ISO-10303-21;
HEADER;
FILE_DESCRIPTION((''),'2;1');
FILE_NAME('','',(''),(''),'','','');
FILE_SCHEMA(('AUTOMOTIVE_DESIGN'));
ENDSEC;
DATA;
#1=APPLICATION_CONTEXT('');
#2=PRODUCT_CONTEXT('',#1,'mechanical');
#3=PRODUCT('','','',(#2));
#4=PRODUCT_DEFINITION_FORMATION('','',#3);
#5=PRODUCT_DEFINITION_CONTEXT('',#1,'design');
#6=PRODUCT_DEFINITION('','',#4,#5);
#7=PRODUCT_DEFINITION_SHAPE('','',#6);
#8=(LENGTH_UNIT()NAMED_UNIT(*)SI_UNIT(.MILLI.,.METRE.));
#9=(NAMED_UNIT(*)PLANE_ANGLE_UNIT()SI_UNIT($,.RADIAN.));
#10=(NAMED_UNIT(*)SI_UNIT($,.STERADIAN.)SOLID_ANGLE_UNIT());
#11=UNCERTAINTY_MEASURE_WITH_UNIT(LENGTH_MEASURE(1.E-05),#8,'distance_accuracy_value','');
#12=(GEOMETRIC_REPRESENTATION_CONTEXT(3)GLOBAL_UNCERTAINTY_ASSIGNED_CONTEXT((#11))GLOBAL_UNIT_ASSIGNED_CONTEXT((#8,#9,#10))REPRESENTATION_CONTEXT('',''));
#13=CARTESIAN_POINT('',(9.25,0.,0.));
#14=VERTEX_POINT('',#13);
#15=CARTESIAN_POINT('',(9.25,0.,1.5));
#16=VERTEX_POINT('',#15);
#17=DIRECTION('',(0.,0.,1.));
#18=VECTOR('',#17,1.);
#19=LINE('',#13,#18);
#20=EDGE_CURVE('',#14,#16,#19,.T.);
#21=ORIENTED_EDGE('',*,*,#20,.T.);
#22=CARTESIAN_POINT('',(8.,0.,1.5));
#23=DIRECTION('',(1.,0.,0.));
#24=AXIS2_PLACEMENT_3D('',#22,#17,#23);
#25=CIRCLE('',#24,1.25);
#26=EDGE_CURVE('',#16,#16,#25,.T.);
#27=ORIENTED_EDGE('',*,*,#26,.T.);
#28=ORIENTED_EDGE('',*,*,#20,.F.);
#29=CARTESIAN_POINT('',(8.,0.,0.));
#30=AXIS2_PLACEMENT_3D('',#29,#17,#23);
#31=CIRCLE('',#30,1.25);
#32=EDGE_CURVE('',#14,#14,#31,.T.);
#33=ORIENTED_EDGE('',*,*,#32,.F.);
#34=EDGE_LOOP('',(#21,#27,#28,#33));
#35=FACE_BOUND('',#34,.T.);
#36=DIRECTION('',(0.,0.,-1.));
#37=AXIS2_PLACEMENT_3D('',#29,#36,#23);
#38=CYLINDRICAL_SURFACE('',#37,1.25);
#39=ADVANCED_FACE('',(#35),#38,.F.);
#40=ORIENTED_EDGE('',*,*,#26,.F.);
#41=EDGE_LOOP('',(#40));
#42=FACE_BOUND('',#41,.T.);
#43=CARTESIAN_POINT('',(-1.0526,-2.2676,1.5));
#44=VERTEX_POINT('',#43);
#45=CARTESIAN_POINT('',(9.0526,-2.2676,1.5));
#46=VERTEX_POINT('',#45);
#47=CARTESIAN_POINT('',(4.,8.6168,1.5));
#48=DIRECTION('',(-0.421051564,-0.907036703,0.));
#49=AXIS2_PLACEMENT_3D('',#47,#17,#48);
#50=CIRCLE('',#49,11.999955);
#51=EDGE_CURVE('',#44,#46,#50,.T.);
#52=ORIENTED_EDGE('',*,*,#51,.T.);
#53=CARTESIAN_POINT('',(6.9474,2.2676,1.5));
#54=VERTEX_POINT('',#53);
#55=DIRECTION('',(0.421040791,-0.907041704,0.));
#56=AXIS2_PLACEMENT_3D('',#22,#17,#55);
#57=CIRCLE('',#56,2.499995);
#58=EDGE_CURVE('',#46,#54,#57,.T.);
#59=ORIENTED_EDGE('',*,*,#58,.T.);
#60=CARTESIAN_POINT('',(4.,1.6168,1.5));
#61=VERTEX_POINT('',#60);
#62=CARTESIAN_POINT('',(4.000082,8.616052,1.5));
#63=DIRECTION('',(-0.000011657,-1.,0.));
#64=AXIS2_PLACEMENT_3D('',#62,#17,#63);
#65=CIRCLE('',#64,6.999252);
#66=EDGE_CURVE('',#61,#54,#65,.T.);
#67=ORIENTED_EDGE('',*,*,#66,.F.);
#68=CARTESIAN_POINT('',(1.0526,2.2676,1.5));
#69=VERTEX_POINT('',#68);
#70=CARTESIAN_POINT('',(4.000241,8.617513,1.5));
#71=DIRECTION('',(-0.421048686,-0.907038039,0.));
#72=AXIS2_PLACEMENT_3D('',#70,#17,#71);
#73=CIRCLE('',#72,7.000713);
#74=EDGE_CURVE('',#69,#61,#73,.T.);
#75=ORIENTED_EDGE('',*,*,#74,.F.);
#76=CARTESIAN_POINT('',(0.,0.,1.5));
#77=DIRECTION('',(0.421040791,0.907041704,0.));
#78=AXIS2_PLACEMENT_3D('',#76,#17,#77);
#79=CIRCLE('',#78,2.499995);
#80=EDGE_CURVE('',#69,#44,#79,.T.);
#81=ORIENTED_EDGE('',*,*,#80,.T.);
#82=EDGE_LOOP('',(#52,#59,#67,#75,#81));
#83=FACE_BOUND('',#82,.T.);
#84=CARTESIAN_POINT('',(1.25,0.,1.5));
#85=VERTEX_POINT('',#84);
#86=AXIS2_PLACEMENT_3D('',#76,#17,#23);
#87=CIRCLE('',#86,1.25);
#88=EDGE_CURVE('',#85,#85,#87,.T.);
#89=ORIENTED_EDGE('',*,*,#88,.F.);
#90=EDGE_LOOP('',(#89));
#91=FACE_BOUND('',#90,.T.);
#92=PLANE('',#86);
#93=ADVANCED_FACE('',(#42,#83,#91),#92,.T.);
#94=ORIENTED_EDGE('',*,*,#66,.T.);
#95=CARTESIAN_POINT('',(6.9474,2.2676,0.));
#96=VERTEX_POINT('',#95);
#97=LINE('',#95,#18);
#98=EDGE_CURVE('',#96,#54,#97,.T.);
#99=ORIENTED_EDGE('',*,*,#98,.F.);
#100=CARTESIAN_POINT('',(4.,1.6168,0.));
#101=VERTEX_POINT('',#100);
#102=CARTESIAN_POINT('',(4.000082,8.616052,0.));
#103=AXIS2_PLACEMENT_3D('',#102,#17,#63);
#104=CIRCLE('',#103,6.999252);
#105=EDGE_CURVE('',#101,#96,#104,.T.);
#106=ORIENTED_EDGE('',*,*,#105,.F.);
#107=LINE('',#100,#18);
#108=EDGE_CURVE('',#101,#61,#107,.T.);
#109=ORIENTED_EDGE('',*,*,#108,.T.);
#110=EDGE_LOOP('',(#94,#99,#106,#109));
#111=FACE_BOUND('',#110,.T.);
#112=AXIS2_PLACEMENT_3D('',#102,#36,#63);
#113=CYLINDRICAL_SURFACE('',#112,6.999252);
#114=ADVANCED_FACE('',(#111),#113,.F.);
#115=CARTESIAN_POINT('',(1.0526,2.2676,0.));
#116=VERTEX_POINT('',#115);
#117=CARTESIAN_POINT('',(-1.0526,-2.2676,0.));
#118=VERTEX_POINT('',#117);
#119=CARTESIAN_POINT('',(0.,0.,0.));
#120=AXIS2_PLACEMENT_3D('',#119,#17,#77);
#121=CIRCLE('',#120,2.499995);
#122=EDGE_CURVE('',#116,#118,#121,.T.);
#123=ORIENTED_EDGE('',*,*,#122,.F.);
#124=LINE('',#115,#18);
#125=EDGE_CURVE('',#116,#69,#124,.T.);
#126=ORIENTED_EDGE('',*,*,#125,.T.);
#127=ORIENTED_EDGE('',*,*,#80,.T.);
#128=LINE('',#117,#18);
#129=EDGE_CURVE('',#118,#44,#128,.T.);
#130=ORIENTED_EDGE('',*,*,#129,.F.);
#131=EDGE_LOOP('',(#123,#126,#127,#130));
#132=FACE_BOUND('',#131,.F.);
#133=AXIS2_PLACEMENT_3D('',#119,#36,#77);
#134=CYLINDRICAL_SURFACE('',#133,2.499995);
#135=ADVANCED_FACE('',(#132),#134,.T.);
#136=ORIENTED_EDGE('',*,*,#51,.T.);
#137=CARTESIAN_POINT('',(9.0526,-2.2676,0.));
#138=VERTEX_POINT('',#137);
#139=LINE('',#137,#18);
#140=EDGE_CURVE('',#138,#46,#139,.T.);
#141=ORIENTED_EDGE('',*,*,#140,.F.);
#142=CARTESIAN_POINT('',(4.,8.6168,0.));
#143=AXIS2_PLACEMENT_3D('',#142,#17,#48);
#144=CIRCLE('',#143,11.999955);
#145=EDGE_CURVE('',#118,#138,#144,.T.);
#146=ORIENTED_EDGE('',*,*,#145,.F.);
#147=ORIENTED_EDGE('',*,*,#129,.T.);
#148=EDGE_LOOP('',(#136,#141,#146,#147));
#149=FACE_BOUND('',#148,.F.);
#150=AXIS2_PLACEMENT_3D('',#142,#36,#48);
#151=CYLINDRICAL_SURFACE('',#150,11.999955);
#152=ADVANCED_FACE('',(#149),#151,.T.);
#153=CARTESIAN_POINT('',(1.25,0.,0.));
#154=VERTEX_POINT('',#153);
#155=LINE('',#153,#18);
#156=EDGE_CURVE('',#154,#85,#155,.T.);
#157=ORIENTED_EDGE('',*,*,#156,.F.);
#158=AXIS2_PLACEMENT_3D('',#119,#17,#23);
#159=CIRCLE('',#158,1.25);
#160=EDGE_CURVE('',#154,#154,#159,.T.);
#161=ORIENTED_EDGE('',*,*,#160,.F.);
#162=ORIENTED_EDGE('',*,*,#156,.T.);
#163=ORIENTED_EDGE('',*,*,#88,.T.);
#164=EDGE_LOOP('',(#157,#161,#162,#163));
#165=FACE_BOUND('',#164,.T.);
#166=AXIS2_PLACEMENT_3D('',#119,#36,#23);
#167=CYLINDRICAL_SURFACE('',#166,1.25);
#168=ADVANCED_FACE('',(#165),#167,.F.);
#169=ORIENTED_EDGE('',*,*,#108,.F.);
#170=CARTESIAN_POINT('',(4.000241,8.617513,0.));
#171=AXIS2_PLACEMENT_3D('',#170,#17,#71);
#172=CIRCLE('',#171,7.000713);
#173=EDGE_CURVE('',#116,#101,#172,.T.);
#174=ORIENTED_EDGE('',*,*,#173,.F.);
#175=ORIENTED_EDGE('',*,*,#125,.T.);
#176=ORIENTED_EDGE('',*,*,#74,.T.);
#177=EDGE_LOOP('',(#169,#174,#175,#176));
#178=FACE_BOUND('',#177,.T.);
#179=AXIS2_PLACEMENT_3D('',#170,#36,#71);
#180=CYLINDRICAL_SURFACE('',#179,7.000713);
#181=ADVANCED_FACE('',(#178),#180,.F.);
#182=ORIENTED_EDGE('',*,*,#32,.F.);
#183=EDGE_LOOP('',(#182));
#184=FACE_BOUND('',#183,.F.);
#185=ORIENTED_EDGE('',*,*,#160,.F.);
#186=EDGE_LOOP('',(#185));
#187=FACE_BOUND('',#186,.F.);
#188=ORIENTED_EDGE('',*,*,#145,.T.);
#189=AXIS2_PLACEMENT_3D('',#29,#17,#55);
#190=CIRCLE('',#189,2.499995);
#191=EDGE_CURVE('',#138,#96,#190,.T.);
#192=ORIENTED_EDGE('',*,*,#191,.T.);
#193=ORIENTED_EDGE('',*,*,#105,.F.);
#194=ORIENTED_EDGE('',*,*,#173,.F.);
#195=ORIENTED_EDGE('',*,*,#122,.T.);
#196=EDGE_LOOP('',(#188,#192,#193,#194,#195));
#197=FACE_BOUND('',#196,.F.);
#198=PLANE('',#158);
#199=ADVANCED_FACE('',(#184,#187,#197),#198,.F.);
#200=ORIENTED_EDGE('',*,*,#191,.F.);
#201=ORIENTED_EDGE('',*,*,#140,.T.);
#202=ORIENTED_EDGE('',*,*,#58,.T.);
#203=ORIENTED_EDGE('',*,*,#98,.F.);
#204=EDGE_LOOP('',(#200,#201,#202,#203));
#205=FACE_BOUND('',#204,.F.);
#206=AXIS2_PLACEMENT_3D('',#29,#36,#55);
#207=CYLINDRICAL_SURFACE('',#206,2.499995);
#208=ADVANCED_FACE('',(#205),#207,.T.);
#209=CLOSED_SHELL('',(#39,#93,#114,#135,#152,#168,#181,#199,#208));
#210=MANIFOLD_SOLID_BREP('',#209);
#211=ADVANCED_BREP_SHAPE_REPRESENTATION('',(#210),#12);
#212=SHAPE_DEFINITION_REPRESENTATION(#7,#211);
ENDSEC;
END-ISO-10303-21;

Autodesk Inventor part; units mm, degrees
ref_plane "YZ Plane" through (0, 0, 0) normal (1, 0, 0) x (0, 1, 0)
ref_plane "XZ Plane" through (0, 0, 0) normal (0, 1, 0) x (-1, 0, 0)
ref_plane "XY Plane" through (0, 0, 0) normal (0, 0, 1) x (1, 0, 0)
sketch "Sketch1" plane through (0, 0, 0) normal (0, 0, 1) x (1, 0, 0)
  circle A0 centre (0, 0) radius 1.25
  line L0 (0, 0) -> (8, 0) construction
  circle A1 centre (8, 0) radius 1.25
  arc A2 (1.0526, 2.2676) -> (-1.0526, -2.2676) centre (0, 0) ccw
  arc A3 (9.0526, -2.2676) -> (6.9474, 2.2676) centre (8, 0) ccw
  arc A4 (-1.0526, -2.2676) -> (9.0526, -2.2676) centre (4, 8.6168) ccw
  arc A5 (1.0526, 2.2676) -> (4, 1.6168) centre (4, 8.6168) ccw
  arc A6 (4, 1.6168) -> (6.9474, 2.2676) centre (4, 8.6168) ccw
  dimension "d0" = 2.5
  dimension "d1" = 8
  dimension "d8" = 5
  dimension "d20" = 12
extrude "Extrusion1" add sketch "Sketch1" along normal blind 1.5
properties part number "linkageC_mini"
